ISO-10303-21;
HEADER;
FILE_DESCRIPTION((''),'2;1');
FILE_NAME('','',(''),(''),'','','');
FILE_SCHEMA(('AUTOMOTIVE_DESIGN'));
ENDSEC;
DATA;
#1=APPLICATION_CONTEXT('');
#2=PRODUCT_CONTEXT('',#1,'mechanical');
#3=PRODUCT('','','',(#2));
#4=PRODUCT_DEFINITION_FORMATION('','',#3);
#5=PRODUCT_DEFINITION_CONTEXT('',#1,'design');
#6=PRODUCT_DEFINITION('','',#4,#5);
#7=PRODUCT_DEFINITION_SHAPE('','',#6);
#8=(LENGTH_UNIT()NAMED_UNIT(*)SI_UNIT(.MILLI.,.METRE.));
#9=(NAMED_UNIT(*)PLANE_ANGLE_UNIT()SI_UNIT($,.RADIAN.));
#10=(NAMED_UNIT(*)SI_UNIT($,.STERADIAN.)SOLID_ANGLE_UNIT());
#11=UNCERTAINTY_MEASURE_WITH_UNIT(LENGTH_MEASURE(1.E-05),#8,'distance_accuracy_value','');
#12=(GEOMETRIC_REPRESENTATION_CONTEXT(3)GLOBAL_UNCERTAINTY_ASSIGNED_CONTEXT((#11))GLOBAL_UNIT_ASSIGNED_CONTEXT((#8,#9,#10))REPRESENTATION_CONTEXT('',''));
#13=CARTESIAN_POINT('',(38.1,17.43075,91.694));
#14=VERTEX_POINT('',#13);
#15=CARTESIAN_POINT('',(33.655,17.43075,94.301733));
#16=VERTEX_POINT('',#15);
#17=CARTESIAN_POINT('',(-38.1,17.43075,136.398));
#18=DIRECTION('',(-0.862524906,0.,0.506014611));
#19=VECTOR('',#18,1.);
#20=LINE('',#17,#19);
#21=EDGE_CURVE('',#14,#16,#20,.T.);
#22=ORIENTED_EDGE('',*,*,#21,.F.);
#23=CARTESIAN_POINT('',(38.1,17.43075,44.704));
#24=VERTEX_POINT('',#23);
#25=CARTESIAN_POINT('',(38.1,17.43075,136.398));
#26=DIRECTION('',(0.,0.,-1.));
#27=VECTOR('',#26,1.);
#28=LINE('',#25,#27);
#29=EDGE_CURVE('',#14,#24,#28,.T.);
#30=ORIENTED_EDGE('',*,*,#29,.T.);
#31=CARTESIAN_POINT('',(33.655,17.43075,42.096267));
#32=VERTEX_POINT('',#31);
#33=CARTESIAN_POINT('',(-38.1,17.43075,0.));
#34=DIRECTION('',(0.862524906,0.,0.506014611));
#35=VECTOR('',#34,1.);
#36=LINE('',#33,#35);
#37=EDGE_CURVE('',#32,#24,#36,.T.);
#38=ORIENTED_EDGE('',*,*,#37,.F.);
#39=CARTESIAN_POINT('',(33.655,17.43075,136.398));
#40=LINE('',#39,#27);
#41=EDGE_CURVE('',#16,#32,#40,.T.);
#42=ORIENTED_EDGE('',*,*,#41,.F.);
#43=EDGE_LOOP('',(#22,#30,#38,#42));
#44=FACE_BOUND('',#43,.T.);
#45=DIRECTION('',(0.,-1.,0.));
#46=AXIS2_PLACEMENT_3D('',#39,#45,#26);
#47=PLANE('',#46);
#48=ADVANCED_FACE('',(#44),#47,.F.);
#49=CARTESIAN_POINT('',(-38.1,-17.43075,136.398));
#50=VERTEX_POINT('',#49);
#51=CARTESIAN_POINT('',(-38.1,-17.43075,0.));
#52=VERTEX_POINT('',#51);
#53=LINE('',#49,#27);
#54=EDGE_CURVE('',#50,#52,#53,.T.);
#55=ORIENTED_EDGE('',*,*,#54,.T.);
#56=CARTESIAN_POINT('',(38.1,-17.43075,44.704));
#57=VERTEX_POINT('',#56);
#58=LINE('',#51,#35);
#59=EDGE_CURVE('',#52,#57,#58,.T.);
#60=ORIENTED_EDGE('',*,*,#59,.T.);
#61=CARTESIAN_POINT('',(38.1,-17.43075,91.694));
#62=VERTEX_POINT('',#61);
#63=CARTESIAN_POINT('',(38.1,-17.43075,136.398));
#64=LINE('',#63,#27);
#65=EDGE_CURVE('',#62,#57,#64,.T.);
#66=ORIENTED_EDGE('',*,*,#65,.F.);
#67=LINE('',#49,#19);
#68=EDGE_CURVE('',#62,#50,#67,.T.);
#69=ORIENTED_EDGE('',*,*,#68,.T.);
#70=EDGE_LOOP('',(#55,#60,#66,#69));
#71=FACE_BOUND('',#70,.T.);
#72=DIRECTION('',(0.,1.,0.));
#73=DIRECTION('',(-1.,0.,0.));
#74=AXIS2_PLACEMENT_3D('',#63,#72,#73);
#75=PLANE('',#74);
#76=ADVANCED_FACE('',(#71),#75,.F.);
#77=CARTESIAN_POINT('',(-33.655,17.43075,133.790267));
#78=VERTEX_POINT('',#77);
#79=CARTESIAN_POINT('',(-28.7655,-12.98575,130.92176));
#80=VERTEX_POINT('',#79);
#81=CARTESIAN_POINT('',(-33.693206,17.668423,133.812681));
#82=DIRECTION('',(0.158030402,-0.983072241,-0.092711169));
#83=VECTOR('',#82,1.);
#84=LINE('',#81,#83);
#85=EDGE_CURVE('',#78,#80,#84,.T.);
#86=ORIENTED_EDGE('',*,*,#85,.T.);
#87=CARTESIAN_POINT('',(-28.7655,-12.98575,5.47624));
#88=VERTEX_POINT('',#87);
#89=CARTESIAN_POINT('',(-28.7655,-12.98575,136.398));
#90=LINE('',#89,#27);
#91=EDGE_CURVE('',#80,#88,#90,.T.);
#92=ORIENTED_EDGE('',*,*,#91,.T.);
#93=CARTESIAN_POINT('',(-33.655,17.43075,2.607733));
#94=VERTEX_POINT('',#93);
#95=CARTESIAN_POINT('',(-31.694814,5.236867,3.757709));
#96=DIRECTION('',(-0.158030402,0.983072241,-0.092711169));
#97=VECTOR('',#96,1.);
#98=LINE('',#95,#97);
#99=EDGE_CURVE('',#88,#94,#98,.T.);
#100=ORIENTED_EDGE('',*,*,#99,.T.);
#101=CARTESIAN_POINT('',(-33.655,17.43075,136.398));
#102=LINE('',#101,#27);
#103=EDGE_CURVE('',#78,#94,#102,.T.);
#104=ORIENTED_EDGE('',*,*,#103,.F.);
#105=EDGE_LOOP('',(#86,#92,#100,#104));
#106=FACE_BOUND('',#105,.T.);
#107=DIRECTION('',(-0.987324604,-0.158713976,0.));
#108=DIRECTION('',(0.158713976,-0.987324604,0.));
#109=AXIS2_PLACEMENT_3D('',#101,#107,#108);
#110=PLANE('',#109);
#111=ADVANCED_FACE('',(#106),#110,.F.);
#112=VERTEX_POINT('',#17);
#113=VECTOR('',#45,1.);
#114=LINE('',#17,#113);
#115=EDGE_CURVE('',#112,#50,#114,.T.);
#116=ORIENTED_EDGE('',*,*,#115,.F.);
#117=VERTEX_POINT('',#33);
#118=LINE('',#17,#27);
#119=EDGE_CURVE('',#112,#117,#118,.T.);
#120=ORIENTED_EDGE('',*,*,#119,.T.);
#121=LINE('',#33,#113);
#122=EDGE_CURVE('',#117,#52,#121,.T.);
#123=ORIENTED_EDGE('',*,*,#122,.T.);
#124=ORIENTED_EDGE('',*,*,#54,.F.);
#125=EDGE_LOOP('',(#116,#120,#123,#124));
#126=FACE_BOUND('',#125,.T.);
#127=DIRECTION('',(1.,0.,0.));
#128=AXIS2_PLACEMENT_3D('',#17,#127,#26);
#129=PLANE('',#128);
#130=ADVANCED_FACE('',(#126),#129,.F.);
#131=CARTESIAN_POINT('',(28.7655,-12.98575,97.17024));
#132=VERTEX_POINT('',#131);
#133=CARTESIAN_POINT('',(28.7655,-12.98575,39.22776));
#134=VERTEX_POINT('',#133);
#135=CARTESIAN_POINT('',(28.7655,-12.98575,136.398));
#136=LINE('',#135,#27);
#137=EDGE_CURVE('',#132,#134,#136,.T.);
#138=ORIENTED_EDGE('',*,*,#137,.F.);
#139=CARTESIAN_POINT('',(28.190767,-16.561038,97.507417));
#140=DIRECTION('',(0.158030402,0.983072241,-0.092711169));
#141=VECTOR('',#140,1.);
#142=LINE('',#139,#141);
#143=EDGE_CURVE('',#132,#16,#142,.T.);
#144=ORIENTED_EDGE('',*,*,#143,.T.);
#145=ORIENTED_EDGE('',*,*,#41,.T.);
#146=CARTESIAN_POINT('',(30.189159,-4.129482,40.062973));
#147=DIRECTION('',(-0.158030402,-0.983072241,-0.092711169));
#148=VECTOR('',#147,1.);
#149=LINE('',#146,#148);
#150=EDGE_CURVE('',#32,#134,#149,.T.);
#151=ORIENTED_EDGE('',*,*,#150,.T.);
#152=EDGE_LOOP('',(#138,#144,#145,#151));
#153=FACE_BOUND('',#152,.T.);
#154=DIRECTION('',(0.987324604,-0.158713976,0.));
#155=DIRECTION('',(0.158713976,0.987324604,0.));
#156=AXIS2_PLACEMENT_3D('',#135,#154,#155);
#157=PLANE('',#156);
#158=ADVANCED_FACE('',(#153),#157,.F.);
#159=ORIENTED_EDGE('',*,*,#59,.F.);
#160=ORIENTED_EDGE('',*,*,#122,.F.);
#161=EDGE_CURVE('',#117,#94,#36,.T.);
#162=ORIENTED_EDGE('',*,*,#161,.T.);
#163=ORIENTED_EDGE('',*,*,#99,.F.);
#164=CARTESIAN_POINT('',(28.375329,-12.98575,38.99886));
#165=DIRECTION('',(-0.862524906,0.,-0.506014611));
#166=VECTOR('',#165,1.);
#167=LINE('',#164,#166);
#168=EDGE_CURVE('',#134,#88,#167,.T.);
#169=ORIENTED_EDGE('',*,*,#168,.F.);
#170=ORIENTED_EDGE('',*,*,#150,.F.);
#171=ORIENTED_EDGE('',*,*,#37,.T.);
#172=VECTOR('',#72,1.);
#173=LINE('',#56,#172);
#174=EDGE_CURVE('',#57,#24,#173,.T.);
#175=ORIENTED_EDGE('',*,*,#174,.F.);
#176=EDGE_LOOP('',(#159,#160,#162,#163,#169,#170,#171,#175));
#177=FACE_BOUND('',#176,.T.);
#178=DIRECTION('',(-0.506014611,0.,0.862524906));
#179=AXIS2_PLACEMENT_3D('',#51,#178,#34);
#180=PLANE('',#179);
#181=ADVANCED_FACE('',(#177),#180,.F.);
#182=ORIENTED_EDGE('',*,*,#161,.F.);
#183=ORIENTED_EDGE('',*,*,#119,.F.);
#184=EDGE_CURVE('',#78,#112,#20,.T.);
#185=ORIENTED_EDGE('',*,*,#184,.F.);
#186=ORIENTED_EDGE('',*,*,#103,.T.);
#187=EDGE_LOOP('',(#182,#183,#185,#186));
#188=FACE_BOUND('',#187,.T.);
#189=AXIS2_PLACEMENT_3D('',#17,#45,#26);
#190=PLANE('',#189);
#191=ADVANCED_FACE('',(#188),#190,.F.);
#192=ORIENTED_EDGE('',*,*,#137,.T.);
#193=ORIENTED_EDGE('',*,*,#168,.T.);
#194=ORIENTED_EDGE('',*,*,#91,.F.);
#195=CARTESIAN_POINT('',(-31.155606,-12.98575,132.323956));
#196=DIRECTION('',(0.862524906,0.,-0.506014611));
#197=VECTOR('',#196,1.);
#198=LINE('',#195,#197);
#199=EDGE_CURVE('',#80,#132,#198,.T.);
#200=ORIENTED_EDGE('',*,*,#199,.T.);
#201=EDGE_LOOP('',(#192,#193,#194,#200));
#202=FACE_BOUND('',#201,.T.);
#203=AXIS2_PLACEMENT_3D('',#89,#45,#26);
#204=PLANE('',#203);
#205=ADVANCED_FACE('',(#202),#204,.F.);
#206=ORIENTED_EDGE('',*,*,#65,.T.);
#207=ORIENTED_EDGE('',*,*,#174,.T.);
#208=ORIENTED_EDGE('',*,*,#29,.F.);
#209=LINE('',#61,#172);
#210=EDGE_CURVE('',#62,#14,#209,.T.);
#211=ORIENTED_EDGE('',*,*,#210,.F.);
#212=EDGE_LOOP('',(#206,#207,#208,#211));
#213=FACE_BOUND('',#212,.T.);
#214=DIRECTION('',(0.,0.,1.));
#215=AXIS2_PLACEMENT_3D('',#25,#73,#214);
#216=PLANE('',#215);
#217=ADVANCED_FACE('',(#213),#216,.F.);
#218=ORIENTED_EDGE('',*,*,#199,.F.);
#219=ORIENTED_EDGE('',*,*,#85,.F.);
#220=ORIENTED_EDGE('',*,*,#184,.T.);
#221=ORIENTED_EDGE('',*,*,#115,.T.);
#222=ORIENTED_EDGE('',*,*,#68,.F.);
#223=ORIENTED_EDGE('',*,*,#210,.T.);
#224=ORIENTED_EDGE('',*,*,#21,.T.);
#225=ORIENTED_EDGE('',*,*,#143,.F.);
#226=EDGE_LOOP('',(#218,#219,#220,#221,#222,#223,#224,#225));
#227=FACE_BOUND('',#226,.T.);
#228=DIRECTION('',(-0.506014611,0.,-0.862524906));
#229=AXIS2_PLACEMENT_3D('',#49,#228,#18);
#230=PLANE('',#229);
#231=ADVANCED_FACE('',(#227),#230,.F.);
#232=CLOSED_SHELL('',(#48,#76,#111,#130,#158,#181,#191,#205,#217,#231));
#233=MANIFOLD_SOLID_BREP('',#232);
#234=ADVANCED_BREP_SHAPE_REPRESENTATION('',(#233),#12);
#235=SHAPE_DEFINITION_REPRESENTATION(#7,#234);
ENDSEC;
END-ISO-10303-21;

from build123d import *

# Parameters (mm, degrees)
BOSS_EXTRUDE1_DEPTH     = 136.398
CUT_EXTRUDE1_DEPTH      = 18.43075
CUT_EXTRUDE1_DEPTH_BACK = 18.43075


with BuildPart() as part:
    # Sketch1 → Boss-Extrude1 (new body)
    with BuildSketch(Plane.XY):
        Polygon((-28.7655, -12.98575), (28.7655, -12.98575), (33.655, 17.43075), (38.1, 17.43075), (38.1, -17.43075), (-38.1, -17.43075), (-38.1, 17.43075), (-33.655, 17.43075), align=None)
    extrude(amount=BOSS_EXTRUDE1_DEPTH)

    # Sketch2 → Cut-Extrude1 (cut, two sides)
    with BuildSketch(Plane(origin=(0, 0, 0), x_dir=(1, 0, 0), z_dir=(0, 1, 0))) as cut_extrude1_sk:
        Polygon((-38.1, 0), (38.1, -44.704), (38.1, 0), align=None)
        Polygon((-38.1, -136.398), (38.1, -91.694), (38.1, -136.398), align=None)
    extrude(amount=CUT_EXTRUDE1_DEPTH, mode=Mode.SUBTRACT)
    extrude(cut_extrude1_sk.sketch, amount=-CUT_EXTRUDE1_DEPTH_BACK, mode=Mode.SUBTRACT)


solid = part.part
